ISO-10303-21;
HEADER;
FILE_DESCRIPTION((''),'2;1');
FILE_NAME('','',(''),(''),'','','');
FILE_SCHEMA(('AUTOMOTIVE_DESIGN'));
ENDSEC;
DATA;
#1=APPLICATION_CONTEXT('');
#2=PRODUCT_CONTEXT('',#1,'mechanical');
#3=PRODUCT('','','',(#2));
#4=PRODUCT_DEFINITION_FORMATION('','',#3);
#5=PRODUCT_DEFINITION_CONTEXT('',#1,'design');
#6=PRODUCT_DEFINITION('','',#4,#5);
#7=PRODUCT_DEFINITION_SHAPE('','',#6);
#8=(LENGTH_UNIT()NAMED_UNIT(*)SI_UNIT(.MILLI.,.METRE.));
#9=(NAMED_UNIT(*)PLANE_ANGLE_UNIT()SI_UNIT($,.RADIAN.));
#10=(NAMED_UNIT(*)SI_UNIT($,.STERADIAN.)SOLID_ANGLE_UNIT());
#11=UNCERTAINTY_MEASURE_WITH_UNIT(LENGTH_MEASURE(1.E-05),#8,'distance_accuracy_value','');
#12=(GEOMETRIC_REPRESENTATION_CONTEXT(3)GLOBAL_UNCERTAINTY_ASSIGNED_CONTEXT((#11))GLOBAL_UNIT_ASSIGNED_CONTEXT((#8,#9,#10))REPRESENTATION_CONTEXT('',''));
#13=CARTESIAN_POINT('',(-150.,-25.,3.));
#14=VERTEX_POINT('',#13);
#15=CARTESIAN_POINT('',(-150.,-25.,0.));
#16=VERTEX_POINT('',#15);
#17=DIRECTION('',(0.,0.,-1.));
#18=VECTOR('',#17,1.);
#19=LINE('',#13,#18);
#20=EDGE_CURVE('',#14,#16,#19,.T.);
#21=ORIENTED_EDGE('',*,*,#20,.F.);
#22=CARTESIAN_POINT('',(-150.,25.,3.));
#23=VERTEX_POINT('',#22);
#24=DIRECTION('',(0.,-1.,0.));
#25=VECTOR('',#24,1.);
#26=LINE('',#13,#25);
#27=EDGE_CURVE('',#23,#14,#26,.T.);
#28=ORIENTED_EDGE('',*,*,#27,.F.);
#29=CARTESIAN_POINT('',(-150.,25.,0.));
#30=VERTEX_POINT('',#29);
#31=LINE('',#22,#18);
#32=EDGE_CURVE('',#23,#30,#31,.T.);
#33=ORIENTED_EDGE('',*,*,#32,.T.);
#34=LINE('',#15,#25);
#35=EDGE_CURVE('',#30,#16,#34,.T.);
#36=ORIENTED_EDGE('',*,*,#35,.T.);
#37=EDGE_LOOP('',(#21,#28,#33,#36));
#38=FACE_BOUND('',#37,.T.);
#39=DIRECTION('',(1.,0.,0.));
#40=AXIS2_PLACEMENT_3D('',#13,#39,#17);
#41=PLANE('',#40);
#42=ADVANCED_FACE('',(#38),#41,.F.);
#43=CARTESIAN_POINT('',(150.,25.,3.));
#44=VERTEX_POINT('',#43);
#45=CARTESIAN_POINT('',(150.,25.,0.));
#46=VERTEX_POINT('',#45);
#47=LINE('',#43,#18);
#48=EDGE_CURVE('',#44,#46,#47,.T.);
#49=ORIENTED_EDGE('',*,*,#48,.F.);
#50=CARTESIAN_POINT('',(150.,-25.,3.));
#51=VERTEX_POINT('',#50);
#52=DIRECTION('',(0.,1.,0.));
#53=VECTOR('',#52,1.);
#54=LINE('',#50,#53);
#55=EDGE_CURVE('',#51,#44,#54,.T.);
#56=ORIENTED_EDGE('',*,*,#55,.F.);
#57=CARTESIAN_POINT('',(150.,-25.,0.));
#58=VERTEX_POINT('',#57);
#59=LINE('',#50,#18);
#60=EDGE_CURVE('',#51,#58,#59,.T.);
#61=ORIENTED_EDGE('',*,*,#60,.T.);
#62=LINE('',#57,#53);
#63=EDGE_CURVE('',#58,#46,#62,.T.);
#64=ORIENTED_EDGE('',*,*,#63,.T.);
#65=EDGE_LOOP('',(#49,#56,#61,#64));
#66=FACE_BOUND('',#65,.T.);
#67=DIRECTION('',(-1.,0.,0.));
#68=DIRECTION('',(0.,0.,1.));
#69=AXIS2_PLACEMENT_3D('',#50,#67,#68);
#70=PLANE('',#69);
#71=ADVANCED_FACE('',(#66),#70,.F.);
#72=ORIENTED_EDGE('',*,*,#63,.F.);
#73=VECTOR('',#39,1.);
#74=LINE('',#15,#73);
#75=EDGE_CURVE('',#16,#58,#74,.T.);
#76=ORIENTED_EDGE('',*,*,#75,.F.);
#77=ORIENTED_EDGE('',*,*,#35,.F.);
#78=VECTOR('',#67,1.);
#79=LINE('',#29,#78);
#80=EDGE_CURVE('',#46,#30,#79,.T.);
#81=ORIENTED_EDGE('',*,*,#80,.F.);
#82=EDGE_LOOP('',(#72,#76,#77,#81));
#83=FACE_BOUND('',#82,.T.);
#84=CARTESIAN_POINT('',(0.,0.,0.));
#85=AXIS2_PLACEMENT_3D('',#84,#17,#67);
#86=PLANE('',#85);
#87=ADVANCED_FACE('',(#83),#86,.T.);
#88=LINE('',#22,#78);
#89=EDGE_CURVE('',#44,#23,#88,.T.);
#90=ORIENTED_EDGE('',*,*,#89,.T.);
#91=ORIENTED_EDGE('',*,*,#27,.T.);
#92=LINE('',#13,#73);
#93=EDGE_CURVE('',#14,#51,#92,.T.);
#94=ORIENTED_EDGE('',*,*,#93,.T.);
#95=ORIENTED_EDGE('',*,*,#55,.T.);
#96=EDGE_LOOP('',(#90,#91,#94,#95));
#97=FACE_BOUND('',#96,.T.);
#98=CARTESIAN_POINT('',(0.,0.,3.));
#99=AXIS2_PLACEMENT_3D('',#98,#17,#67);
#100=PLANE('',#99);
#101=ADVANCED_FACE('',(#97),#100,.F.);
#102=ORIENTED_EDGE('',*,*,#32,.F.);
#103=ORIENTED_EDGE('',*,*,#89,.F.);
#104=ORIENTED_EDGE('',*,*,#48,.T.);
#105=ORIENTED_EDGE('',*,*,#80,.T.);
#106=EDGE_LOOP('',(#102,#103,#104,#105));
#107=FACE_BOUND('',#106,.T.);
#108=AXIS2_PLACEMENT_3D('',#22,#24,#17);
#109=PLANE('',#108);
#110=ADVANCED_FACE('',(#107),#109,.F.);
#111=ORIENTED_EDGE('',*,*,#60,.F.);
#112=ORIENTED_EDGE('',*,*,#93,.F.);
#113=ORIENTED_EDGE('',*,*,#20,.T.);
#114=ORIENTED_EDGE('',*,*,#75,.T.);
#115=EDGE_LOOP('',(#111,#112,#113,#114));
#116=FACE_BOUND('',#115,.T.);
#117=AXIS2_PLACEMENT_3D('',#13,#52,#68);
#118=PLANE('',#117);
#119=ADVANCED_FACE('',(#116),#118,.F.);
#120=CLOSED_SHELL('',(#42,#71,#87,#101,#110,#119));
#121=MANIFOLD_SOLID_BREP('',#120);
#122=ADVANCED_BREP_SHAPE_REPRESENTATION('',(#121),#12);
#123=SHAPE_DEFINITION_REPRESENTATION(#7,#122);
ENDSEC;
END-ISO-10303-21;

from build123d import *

# Parameters (mm, degrees)
SKETCH1_W           = 300
SKETCH1_H           = 50
BOSS_EXTRUDE1_DEPTH = 3


with BuildPart() as part:
    # Sketch1 → Boss-Extrude1 (new body)
    with BuildSketch(Plane.XY):
        Rectangle(SKETCH1_W, SKETCH1_H)
    extrude(amount=BOSS_EXTRUDE1_DEPTH)


solid = part.part
